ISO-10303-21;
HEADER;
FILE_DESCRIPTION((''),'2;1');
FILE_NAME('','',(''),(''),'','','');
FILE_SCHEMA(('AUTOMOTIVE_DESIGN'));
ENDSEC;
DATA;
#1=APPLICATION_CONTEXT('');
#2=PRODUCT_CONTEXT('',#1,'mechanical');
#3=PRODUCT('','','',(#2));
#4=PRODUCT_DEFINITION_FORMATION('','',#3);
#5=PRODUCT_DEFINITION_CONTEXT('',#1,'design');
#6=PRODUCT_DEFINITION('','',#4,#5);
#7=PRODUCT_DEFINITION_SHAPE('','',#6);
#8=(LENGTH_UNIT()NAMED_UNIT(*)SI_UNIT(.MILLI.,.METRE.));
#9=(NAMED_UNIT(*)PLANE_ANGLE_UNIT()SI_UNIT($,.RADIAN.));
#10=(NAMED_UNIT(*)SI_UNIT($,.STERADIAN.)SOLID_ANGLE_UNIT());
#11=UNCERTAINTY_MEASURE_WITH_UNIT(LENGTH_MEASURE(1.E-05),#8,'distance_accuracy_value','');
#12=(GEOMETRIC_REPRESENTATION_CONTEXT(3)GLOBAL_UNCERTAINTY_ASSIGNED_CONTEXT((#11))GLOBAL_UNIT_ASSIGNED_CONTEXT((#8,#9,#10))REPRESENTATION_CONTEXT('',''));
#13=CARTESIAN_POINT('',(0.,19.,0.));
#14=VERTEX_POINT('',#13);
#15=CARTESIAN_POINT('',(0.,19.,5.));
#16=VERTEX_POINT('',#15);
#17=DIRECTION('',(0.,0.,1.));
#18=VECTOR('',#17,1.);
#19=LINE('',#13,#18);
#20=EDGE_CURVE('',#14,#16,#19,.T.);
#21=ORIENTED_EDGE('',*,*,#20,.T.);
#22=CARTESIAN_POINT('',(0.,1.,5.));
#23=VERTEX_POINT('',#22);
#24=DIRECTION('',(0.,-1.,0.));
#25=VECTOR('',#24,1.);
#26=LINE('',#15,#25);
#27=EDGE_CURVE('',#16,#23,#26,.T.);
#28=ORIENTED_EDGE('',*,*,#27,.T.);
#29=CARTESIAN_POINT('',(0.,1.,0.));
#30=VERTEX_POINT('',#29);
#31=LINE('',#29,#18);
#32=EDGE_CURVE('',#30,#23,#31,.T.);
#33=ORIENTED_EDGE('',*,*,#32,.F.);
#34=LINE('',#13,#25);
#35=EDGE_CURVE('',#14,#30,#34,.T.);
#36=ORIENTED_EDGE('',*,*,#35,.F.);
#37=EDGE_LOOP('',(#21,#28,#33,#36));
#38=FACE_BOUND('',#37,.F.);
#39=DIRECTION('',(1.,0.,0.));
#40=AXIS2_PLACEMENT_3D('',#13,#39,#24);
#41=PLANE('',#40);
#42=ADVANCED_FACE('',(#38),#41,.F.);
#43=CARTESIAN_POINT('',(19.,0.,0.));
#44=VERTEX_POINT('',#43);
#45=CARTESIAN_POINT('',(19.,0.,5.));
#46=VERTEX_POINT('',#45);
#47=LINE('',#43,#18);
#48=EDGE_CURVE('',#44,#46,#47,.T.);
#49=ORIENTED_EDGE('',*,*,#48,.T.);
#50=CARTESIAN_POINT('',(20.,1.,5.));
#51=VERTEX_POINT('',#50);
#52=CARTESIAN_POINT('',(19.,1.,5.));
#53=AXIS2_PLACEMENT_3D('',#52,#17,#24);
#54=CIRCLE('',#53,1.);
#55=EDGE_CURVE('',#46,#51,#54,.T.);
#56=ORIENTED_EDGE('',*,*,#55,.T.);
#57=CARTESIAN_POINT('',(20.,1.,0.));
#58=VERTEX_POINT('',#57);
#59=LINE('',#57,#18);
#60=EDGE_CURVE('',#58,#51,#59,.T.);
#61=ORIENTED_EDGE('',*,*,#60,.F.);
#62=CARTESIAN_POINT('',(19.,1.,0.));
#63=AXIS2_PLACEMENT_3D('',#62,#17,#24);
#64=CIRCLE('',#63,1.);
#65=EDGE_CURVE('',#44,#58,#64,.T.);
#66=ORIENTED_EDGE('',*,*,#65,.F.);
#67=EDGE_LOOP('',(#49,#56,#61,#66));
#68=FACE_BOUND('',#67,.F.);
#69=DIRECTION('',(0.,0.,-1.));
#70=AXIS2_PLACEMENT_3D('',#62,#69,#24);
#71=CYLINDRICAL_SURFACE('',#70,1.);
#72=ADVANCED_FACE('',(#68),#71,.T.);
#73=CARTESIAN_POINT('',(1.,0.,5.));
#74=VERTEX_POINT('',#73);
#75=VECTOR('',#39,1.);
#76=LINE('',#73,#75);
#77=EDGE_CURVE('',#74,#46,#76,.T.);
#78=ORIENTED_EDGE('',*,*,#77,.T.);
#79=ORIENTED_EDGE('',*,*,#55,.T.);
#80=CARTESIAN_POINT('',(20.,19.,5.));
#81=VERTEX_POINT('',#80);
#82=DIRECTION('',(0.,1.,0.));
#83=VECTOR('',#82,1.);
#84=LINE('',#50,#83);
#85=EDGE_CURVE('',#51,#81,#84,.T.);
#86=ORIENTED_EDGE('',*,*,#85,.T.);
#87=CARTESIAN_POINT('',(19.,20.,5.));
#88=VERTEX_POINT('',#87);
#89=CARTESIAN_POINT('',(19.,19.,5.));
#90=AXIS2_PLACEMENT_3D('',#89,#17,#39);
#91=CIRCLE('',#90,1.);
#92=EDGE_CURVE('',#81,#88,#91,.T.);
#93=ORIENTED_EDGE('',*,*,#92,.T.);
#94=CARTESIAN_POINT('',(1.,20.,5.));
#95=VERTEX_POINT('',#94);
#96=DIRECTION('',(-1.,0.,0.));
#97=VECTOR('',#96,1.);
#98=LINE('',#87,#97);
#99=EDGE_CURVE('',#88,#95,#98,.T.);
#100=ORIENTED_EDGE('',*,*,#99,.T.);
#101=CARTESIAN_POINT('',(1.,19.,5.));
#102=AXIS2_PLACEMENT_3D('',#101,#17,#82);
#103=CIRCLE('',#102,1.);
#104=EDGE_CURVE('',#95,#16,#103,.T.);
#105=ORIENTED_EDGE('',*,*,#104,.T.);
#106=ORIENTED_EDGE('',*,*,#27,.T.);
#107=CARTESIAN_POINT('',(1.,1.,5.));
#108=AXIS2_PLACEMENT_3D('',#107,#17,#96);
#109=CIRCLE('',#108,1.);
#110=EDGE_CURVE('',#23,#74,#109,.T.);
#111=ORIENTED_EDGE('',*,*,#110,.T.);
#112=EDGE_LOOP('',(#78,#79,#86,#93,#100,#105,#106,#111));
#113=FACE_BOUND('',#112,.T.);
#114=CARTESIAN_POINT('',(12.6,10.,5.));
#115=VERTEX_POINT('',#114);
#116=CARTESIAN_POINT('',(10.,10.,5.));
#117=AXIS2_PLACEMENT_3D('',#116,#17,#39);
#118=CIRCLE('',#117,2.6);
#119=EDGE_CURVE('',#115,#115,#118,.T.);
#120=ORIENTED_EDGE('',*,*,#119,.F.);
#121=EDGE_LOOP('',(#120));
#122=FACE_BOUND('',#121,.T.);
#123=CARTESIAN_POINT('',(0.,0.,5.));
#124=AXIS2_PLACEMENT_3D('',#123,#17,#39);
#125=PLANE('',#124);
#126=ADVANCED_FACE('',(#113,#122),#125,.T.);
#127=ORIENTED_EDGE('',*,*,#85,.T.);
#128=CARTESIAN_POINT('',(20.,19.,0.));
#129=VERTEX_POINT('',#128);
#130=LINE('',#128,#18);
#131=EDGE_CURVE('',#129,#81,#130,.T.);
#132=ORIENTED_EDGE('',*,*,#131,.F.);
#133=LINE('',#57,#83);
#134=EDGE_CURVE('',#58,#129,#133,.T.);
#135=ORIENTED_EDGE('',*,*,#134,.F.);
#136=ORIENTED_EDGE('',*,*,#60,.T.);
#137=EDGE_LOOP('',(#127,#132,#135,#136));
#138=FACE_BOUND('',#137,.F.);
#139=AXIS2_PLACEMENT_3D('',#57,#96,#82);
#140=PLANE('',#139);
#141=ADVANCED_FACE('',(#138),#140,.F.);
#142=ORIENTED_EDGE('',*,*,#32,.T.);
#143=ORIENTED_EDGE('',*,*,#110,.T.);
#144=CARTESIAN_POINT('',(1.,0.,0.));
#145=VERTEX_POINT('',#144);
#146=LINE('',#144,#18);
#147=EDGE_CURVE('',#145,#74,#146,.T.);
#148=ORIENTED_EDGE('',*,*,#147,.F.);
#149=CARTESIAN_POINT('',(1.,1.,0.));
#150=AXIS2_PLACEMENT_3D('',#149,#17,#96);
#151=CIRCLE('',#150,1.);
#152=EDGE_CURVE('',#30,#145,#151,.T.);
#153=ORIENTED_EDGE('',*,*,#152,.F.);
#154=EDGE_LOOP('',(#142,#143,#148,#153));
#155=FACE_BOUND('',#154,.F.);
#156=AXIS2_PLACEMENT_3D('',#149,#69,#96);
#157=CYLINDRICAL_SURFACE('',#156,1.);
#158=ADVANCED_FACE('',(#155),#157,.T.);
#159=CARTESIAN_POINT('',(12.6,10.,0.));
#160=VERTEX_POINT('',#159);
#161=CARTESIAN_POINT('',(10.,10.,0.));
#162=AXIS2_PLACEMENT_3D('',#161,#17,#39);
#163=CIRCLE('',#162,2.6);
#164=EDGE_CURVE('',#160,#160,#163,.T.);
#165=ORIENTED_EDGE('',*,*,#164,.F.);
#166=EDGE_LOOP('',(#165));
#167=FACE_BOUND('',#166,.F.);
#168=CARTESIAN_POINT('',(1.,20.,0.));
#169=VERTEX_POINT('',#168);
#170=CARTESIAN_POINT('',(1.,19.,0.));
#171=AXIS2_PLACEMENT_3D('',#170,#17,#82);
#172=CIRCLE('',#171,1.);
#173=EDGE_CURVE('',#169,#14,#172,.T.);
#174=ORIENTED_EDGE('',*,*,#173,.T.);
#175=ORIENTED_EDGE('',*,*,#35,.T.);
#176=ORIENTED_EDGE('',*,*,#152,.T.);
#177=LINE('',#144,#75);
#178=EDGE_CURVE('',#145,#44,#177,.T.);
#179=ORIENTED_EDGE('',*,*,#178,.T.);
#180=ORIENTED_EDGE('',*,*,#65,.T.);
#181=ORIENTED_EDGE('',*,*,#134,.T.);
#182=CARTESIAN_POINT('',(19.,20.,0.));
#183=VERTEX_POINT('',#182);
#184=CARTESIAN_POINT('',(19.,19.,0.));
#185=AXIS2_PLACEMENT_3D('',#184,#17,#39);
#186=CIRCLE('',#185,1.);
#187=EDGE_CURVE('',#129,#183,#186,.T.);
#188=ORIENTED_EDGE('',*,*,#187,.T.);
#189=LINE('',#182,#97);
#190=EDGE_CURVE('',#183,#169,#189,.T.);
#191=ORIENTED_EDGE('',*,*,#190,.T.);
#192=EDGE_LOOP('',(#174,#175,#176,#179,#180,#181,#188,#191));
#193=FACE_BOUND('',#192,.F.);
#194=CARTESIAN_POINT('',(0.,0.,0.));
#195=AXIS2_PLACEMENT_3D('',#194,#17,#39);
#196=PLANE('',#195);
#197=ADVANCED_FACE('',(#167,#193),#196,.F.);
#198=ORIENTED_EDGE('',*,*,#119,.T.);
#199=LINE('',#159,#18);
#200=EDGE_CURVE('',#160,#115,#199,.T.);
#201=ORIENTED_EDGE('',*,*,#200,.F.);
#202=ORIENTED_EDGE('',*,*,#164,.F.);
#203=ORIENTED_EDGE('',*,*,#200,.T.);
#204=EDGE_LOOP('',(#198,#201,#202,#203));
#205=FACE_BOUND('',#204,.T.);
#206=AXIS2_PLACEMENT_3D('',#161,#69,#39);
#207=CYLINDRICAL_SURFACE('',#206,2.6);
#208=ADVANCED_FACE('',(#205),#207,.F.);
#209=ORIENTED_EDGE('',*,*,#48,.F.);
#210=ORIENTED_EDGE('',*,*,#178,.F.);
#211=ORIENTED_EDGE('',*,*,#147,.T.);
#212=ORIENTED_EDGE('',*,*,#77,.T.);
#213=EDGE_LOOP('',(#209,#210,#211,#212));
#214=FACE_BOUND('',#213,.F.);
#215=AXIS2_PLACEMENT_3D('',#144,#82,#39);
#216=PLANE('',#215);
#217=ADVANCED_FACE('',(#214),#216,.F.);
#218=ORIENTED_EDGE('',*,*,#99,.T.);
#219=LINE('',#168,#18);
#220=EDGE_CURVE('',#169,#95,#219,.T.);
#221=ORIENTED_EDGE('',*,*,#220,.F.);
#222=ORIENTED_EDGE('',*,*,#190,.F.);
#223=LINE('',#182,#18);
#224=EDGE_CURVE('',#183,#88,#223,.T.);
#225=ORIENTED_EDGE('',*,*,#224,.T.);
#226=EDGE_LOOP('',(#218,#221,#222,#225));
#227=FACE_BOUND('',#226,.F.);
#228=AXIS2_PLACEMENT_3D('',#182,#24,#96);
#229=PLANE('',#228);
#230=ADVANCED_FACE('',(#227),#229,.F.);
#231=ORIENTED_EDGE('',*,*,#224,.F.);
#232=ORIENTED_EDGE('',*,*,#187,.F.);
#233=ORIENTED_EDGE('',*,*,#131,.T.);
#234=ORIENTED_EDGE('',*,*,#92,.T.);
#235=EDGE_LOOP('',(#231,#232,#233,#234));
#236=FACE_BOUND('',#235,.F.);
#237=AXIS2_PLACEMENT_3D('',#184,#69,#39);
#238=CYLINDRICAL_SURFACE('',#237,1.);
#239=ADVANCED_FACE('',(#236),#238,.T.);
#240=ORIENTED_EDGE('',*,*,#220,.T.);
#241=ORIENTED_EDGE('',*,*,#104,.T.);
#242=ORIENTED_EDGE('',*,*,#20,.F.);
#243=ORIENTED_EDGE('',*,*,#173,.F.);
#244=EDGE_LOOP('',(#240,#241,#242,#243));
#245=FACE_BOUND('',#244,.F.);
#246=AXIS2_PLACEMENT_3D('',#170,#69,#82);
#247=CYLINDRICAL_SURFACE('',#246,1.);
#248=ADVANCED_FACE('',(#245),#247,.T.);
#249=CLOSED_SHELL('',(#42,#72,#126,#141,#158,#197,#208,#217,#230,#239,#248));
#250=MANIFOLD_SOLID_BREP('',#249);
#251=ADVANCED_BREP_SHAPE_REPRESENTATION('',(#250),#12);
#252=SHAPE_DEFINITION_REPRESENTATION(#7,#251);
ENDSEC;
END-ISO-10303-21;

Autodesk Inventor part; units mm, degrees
ref_plane "YZ Plane" through (0, 0, 0) normal (1, 0, 0) x (0, 1, 0)
ref_plane "XZ Plane" through (0, 0, 0) normal (0, 1, 0) x (-1, 0, 0)
ref_plane "XY Plane" through (0, 0, 0) normal (0, 0, 1) x (1, 0, 0)
sketch "Skizze1" plane through (0, 0, 0) normal (0, 0, 1) x (1, 0, 0)
  line L0 (1, 0) -> (19, 0)
  line L1 (20, 1) -> (20, 19)
  line L2 (19, 20) -> (1, 20)
  line L3 (0, 19) -> (0, 1)
  arc A0 (1, 20) -> (0, 19) centre (1, 19) ccw
  arc A1 (0, 1) -> (1, 0) centre (1, 1) ccw
  arc A2 (19, 0) -> (20, 1) centre (19, 1) ccw
  arc A3 (20, 19) -> (19, 20) centre (19, 19) ccw
  circle A4 centre (10, 10) radius 2.6
  point P0 (0, 0)
  point P1 (20, 20)
  point P2 (20, 0)
  point P3 (0, 20)
  dimension "d0" = 20
  dimension "d1" = 20
  dimension "d2" = 1
  dimension "d3" = 5.2
  dimension "d4" = 10
  dimension "d5" = 10
extrude "Extrusion1" add sketch "Skizze1" along normal blind 5
properties part number "104.001.01_Auflageplatte_FB" material "PMMA-Kunststoff"
